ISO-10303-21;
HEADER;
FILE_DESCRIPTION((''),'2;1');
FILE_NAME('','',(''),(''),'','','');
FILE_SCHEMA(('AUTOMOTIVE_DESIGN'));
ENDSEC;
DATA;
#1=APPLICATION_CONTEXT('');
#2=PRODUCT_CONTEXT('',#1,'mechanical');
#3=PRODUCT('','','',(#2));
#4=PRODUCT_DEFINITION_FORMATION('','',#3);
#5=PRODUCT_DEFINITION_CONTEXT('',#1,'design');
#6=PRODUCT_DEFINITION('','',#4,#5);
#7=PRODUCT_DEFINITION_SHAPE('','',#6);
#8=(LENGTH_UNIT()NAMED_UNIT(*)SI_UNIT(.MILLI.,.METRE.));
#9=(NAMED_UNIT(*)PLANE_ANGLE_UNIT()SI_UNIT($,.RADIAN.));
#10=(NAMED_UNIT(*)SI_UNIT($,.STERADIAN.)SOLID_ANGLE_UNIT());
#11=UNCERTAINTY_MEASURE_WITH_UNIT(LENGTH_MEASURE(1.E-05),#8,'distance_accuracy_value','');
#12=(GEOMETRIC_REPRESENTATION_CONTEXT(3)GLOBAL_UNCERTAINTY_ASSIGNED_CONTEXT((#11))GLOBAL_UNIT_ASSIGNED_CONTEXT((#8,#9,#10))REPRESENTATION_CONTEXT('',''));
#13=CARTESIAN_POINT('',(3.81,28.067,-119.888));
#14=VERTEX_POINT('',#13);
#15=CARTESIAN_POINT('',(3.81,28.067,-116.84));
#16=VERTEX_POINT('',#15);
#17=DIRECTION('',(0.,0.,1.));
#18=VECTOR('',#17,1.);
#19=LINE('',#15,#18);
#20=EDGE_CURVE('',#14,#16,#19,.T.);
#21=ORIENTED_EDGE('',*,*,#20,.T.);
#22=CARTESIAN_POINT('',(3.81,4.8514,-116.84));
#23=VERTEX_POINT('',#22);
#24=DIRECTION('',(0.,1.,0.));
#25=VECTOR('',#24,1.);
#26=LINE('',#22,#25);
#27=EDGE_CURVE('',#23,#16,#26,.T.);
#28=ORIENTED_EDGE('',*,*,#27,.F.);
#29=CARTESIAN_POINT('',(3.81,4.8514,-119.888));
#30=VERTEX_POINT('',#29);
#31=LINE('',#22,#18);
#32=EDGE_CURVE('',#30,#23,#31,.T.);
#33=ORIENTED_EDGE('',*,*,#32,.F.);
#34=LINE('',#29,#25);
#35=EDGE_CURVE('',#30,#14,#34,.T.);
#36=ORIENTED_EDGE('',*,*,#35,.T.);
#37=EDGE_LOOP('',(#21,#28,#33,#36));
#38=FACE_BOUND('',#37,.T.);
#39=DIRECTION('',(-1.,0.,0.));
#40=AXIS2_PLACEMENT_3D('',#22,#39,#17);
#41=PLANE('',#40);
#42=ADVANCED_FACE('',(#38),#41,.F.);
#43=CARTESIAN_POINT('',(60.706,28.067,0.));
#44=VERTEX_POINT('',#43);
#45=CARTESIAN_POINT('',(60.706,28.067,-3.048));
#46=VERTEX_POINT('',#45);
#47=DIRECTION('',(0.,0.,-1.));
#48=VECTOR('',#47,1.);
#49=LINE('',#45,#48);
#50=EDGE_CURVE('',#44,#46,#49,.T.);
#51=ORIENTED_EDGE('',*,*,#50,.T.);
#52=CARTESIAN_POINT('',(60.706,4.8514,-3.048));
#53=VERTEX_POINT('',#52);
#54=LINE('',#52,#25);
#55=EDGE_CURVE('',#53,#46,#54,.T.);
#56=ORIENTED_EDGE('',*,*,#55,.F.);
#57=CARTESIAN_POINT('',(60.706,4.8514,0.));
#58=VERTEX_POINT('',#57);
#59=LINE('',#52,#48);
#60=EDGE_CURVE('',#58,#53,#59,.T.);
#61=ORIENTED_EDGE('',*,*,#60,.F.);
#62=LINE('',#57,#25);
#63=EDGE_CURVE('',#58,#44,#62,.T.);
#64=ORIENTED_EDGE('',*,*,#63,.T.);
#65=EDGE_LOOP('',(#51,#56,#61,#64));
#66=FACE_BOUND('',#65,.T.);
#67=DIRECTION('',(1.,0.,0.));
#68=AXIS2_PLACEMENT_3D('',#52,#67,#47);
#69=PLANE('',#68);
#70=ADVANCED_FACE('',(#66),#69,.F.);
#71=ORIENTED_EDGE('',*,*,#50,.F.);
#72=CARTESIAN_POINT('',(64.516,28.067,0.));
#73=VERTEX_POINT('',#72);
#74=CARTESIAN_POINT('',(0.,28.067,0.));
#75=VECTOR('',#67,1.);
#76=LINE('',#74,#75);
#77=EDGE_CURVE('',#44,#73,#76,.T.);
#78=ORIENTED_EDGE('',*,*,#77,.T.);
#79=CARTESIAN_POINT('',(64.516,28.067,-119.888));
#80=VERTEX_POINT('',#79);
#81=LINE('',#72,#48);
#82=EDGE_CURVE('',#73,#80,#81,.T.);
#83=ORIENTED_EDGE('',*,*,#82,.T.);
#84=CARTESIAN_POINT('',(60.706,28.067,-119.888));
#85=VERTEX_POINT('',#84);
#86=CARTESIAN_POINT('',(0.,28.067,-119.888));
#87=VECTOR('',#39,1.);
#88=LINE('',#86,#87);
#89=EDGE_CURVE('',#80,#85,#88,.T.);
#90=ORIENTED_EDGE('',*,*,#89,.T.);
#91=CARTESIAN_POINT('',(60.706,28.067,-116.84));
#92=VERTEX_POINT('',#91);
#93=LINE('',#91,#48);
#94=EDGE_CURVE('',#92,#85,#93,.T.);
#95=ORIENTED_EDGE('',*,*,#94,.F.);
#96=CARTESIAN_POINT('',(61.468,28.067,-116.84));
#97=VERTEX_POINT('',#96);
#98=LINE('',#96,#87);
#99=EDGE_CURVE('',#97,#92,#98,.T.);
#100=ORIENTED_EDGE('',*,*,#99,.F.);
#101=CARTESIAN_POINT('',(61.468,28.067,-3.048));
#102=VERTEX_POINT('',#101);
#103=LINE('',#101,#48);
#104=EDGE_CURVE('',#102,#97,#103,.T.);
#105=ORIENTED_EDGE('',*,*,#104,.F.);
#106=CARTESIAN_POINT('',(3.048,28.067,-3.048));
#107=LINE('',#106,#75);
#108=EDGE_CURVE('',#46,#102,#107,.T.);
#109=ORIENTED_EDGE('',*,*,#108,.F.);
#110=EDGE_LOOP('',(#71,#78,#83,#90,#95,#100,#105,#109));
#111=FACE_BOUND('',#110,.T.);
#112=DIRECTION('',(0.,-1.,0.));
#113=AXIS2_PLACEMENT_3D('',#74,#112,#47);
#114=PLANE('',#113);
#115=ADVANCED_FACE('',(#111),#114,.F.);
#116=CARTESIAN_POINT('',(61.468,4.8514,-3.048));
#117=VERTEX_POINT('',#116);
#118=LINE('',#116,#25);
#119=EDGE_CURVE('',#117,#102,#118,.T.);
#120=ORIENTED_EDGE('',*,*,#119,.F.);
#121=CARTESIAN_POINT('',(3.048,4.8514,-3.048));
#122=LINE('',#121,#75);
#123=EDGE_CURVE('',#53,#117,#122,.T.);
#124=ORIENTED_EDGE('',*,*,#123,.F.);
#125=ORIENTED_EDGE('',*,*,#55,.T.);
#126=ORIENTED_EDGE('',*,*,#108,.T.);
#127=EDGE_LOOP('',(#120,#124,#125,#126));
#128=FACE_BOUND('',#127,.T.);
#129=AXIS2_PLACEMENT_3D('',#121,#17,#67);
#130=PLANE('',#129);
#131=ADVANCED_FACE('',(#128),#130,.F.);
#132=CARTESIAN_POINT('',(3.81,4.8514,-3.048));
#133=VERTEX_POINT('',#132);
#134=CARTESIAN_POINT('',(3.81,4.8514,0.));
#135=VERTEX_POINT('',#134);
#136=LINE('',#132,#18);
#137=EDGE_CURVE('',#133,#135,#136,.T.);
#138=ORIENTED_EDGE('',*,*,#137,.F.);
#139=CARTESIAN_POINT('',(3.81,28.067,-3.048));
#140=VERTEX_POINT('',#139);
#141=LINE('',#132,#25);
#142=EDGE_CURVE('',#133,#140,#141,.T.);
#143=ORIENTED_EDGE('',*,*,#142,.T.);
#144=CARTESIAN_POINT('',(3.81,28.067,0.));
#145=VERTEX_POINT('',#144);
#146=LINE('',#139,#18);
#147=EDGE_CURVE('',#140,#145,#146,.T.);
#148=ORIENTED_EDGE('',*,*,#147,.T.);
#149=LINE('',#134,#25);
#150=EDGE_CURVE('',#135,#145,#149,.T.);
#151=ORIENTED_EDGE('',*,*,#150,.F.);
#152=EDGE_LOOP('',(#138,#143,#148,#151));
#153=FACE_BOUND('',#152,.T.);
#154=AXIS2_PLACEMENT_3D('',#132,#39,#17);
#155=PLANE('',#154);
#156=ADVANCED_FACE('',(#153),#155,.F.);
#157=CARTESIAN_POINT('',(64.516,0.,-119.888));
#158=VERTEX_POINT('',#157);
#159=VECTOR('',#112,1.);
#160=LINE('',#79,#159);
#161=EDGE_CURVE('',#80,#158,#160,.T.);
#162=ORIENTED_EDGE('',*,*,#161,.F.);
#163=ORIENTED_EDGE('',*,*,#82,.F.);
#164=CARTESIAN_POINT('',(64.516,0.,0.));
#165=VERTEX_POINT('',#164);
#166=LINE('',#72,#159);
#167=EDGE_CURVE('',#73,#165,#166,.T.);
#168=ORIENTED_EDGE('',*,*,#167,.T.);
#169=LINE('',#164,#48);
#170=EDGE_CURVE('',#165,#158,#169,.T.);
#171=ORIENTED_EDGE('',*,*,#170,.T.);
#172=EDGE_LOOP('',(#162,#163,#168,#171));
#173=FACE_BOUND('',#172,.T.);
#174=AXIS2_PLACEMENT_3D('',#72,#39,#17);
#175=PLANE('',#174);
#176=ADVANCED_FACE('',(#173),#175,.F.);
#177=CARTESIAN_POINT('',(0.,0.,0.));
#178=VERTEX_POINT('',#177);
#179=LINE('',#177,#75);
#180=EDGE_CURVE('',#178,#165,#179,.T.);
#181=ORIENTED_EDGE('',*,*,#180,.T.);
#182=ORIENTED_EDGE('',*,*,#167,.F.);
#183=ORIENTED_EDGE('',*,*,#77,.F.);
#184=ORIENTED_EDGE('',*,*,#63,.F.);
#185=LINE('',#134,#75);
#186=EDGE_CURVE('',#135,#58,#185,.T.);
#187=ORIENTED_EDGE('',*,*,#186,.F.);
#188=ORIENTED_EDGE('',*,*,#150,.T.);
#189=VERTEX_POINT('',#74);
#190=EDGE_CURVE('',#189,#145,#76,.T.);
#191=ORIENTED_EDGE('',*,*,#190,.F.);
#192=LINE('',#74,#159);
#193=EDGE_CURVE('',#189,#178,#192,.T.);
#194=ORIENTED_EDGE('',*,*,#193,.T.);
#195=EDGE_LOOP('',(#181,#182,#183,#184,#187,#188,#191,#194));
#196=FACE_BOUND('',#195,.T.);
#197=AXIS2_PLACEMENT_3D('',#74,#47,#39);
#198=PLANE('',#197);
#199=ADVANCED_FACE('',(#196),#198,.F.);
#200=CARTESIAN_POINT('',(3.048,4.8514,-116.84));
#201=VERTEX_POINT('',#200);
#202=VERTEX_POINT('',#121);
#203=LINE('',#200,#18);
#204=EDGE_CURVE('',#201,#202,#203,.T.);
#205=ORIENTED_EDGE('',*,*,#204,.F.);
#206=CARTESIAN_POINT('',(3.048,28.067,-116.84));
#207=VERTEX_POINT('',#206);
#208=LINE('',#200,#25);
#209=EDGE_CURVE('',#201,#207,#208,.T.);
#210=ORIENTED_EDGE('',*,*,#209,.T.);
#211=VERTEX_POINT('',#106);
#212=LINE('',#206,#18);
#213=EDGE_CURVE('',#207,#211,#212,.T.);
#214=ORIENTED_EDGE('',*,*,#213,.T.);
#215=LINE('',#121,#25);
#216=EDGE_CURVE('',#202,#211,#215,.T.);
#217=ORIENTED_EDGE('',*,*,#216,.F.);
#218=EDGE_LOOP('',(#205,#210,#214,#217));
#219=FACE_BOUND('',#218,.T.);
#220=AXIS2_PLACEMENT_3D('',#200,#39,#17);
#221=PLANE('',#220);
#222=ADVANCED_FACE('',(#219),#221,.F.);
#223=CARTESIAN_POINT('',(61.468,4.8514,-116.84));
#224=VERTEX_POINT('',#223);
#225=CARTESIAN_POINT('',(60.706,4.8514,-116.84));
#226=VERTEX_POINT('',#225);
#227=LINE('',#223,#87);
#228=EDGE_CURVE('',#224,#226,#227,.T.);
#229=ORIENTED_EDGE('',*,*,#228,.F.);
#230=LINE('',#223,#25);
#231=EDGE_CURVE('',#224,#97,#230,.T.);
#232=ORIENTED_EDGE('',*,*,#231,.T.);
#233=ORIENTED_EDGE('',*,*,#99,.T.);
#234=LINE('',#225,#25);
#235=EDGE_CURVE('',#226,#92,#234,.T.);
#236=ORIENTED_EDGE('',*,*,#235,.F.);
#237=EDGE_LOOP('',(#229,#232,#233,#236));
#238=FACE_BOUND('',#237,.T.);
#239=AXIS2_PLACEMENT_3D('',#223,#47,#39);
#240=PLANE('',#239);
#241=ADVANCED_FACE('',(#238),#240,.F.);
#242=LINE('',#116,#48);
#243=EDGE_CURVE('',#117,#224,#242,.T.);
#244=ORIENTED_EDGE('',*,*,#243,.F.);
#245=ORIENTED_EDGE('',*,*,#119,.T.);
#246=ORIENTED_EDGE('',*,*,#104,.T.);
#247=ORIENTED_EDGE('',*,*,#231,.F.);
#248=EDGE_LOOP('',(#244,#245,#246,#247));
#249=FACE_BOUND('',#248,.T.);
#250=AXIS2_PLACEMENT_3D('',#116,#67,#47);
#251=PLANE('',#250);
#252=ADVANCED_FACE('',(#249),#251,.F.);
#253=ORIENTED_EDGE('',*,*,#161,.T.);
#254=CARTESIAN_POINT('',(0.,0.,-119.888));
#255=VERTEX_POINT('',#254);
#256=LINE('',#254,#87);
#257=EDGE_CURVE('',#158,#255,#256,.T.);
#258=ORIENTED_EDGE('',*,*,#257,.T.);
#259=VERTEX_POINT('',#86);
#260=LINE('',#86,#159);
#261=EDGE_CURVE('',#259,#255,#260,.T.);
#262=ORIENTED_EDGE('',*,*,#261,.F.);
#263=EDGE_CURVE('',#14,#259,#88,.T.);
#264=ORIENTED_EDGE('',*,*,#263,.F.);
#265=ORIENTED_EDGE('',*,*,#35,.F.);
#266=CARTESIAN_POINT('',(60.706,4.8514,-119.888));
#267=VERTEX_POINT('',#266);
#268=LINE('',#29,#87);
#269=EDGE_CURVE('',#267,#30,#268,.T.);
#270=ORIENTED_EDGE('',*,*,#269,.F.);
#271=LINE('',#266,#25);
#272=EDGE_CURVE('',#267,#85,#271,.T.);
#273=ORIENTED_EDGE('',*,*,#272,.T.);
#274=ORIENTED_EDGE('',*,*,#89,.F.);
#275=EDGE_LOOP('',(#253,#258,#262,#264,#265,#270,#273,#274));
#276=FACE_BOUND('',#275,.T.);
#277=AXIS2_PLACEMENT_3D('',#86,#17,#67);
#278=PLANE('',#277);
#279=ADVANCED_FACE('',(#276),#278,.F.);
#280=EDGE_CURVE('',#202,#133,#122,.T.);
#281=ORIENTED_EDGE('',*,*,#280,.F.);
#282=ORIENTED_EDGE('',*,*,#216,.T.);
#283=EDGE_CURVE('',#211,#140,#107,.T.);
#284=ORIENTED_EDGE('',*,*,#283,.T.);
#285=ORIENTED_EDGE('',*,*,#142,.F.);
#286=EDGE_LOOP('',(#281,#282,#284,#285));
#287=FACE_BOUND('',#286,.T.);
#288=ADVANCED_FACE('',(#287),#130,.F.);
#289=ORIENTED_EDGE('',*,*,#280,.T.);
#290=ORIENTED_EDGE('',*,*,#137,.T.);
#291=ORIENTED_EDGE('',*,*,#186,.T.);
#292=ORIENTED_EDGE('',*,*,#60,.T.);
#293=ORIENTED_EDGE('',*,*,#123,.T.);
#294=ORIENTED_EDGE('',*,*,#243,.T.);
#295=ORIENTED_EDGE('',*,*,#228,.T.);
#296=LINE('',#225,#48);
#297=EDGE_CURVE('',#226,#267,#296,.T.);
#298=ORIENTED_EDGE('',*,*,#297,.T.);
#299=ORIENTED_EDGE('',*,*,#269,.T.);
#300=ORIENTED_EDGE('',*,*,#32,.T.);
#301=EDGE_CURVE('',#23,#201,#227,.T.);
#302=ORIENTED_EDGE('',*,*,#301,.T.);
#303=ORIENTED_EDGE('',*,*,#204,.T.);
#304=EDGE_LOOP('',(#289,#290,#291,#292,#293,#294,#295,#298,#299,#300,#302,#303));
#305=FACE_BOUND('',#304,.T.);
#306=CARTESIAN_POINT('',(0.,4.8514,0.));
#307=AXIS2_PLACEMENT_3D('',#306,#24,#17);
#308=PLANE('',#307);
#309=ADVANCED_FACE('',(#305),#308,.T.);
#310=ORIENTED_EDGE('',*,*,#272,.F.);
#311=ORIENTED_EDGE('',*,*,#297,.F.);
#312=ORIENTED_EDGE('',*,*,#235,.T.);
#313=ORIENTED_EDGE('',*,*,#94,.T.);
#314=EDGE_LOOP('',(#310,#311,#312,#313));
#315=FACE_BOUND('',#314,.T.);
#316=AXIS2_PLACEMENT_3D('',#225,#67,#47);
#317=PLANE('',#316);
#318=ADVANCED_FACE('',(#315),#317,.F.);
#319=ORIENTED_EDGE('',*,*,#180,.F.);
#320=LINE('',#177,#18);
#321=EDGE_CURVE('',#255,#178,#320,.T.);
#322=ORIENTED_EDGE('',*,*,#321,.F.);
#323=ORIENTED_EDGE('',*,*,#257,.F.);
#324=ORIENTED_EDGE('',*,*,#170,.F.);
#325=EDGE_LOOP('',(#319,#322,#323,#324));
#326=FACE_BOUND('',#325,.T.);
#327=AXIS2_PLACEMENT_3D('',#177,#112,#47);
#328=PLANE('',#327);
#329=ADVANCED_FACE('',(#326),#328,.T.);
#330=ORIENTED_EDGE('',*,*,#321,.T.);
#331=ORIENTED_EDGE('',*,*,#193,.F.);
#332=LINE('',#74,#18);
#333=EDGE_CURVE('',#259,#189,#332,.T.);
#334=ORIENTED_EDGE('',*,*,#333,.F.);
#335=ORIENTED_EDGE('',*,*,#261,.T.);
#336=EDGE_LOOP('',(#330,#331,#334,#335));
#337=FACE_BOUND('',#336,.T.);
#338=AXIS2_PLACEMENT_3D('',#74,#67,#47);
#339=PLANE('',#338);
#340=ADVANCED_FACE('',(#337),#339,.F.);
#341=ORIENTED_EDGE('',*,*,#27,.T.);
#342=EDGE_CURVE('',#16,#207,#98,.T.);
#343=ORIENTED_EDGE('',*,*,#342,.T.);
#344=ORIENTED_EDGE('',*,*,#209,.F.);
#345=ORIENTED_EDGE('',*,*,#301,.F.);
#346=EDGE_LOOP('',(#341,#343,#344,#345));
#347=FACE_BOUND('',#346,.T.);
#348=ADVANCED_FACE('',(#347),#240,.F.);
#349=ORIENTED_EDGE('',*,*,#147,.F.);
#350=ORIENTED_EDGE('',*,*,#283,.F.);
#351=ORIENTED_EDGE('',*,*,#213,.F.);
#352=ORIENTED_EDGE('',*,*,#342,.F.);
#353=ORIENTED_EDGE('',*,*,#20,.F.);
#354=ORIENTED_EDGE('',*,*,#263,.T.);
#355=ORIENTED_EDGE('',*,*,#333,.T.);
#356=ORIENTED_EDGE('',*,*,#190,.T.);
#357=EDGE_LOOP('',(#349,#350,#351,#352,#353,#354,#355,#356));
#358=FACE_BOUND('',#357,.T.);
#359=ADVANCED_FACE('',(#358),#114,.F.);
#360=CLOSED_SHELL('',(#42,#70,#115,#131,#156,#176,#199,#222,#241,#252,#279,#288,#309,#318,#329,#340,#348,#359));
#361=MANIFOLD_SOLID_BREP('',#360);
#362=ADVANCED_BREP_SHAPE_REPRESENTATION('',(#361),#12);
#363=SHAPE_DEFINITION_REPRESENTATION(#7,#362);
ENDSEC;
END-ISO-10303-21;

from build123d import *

# Parameters (mm, degrees)
SKETCH1_W           = 64.516
SKETCH1_H           = 119.888
BOSS_EXTRUDE1_DEPTH = 28.067
SKETCH2_W           = 58.42
SKETCH2_H           = 113.792
CUT_EXTRUDE1_DEPTH  = 23.2156
SKETCH3_W           = 56.896
SKETCH3_H           = 3.048
CUT_EXTRUDE2_DEPTH  = 23.2156


with BuildPart() as part:
    # Sketch1 → Boss-Extrude1 (new body)
    with BuildSketch(Plane(origin=(0, 0, 0), x_dir=(1, 0, 0), z_dir=(0, 1, 0))):
        with Locations((32.258, 59.944)):
            Rectangle(SKETCH1_W, SKETCH1_H)
    extrude(amount=BOSS_EXTRUDE1_DEPTH)

    # Sketch2 → Cut-Extrude1 (cut)
    with BuildSketch(Plane(origin=(0, 28.067, 0), x_dir=(1, 0, 0), z_dir=(0, 1, 0))):
        with Locations((32.258, 59.944)):
            Rectangle(SKETCH2_W, SKETCH2_H)
    extrude(amount=-CUT_EXTRUDE1_DEPTH, mode=Mode.SUBTRACT)

    # Sketch3 → Cut-Extrude2 (cut)
    with BuildSketch(Plane(origin=(0, 28.067, 0), x_dir=(1, 0, 0), z_dir=(0, 1, 0))):
        with Locations((32.258, 118.364)):
            Rectangle(SKETCH3_W, SKETCH3_H)
        with Locations((32.258, 1.524)):
            Rectangle(SKETCH3_W, SKETCH3_H)
    extrude(amount=-CUT_EXTRUDE2_DEPTH, mode=Mode.SUBTRACT)


solid = part.part
